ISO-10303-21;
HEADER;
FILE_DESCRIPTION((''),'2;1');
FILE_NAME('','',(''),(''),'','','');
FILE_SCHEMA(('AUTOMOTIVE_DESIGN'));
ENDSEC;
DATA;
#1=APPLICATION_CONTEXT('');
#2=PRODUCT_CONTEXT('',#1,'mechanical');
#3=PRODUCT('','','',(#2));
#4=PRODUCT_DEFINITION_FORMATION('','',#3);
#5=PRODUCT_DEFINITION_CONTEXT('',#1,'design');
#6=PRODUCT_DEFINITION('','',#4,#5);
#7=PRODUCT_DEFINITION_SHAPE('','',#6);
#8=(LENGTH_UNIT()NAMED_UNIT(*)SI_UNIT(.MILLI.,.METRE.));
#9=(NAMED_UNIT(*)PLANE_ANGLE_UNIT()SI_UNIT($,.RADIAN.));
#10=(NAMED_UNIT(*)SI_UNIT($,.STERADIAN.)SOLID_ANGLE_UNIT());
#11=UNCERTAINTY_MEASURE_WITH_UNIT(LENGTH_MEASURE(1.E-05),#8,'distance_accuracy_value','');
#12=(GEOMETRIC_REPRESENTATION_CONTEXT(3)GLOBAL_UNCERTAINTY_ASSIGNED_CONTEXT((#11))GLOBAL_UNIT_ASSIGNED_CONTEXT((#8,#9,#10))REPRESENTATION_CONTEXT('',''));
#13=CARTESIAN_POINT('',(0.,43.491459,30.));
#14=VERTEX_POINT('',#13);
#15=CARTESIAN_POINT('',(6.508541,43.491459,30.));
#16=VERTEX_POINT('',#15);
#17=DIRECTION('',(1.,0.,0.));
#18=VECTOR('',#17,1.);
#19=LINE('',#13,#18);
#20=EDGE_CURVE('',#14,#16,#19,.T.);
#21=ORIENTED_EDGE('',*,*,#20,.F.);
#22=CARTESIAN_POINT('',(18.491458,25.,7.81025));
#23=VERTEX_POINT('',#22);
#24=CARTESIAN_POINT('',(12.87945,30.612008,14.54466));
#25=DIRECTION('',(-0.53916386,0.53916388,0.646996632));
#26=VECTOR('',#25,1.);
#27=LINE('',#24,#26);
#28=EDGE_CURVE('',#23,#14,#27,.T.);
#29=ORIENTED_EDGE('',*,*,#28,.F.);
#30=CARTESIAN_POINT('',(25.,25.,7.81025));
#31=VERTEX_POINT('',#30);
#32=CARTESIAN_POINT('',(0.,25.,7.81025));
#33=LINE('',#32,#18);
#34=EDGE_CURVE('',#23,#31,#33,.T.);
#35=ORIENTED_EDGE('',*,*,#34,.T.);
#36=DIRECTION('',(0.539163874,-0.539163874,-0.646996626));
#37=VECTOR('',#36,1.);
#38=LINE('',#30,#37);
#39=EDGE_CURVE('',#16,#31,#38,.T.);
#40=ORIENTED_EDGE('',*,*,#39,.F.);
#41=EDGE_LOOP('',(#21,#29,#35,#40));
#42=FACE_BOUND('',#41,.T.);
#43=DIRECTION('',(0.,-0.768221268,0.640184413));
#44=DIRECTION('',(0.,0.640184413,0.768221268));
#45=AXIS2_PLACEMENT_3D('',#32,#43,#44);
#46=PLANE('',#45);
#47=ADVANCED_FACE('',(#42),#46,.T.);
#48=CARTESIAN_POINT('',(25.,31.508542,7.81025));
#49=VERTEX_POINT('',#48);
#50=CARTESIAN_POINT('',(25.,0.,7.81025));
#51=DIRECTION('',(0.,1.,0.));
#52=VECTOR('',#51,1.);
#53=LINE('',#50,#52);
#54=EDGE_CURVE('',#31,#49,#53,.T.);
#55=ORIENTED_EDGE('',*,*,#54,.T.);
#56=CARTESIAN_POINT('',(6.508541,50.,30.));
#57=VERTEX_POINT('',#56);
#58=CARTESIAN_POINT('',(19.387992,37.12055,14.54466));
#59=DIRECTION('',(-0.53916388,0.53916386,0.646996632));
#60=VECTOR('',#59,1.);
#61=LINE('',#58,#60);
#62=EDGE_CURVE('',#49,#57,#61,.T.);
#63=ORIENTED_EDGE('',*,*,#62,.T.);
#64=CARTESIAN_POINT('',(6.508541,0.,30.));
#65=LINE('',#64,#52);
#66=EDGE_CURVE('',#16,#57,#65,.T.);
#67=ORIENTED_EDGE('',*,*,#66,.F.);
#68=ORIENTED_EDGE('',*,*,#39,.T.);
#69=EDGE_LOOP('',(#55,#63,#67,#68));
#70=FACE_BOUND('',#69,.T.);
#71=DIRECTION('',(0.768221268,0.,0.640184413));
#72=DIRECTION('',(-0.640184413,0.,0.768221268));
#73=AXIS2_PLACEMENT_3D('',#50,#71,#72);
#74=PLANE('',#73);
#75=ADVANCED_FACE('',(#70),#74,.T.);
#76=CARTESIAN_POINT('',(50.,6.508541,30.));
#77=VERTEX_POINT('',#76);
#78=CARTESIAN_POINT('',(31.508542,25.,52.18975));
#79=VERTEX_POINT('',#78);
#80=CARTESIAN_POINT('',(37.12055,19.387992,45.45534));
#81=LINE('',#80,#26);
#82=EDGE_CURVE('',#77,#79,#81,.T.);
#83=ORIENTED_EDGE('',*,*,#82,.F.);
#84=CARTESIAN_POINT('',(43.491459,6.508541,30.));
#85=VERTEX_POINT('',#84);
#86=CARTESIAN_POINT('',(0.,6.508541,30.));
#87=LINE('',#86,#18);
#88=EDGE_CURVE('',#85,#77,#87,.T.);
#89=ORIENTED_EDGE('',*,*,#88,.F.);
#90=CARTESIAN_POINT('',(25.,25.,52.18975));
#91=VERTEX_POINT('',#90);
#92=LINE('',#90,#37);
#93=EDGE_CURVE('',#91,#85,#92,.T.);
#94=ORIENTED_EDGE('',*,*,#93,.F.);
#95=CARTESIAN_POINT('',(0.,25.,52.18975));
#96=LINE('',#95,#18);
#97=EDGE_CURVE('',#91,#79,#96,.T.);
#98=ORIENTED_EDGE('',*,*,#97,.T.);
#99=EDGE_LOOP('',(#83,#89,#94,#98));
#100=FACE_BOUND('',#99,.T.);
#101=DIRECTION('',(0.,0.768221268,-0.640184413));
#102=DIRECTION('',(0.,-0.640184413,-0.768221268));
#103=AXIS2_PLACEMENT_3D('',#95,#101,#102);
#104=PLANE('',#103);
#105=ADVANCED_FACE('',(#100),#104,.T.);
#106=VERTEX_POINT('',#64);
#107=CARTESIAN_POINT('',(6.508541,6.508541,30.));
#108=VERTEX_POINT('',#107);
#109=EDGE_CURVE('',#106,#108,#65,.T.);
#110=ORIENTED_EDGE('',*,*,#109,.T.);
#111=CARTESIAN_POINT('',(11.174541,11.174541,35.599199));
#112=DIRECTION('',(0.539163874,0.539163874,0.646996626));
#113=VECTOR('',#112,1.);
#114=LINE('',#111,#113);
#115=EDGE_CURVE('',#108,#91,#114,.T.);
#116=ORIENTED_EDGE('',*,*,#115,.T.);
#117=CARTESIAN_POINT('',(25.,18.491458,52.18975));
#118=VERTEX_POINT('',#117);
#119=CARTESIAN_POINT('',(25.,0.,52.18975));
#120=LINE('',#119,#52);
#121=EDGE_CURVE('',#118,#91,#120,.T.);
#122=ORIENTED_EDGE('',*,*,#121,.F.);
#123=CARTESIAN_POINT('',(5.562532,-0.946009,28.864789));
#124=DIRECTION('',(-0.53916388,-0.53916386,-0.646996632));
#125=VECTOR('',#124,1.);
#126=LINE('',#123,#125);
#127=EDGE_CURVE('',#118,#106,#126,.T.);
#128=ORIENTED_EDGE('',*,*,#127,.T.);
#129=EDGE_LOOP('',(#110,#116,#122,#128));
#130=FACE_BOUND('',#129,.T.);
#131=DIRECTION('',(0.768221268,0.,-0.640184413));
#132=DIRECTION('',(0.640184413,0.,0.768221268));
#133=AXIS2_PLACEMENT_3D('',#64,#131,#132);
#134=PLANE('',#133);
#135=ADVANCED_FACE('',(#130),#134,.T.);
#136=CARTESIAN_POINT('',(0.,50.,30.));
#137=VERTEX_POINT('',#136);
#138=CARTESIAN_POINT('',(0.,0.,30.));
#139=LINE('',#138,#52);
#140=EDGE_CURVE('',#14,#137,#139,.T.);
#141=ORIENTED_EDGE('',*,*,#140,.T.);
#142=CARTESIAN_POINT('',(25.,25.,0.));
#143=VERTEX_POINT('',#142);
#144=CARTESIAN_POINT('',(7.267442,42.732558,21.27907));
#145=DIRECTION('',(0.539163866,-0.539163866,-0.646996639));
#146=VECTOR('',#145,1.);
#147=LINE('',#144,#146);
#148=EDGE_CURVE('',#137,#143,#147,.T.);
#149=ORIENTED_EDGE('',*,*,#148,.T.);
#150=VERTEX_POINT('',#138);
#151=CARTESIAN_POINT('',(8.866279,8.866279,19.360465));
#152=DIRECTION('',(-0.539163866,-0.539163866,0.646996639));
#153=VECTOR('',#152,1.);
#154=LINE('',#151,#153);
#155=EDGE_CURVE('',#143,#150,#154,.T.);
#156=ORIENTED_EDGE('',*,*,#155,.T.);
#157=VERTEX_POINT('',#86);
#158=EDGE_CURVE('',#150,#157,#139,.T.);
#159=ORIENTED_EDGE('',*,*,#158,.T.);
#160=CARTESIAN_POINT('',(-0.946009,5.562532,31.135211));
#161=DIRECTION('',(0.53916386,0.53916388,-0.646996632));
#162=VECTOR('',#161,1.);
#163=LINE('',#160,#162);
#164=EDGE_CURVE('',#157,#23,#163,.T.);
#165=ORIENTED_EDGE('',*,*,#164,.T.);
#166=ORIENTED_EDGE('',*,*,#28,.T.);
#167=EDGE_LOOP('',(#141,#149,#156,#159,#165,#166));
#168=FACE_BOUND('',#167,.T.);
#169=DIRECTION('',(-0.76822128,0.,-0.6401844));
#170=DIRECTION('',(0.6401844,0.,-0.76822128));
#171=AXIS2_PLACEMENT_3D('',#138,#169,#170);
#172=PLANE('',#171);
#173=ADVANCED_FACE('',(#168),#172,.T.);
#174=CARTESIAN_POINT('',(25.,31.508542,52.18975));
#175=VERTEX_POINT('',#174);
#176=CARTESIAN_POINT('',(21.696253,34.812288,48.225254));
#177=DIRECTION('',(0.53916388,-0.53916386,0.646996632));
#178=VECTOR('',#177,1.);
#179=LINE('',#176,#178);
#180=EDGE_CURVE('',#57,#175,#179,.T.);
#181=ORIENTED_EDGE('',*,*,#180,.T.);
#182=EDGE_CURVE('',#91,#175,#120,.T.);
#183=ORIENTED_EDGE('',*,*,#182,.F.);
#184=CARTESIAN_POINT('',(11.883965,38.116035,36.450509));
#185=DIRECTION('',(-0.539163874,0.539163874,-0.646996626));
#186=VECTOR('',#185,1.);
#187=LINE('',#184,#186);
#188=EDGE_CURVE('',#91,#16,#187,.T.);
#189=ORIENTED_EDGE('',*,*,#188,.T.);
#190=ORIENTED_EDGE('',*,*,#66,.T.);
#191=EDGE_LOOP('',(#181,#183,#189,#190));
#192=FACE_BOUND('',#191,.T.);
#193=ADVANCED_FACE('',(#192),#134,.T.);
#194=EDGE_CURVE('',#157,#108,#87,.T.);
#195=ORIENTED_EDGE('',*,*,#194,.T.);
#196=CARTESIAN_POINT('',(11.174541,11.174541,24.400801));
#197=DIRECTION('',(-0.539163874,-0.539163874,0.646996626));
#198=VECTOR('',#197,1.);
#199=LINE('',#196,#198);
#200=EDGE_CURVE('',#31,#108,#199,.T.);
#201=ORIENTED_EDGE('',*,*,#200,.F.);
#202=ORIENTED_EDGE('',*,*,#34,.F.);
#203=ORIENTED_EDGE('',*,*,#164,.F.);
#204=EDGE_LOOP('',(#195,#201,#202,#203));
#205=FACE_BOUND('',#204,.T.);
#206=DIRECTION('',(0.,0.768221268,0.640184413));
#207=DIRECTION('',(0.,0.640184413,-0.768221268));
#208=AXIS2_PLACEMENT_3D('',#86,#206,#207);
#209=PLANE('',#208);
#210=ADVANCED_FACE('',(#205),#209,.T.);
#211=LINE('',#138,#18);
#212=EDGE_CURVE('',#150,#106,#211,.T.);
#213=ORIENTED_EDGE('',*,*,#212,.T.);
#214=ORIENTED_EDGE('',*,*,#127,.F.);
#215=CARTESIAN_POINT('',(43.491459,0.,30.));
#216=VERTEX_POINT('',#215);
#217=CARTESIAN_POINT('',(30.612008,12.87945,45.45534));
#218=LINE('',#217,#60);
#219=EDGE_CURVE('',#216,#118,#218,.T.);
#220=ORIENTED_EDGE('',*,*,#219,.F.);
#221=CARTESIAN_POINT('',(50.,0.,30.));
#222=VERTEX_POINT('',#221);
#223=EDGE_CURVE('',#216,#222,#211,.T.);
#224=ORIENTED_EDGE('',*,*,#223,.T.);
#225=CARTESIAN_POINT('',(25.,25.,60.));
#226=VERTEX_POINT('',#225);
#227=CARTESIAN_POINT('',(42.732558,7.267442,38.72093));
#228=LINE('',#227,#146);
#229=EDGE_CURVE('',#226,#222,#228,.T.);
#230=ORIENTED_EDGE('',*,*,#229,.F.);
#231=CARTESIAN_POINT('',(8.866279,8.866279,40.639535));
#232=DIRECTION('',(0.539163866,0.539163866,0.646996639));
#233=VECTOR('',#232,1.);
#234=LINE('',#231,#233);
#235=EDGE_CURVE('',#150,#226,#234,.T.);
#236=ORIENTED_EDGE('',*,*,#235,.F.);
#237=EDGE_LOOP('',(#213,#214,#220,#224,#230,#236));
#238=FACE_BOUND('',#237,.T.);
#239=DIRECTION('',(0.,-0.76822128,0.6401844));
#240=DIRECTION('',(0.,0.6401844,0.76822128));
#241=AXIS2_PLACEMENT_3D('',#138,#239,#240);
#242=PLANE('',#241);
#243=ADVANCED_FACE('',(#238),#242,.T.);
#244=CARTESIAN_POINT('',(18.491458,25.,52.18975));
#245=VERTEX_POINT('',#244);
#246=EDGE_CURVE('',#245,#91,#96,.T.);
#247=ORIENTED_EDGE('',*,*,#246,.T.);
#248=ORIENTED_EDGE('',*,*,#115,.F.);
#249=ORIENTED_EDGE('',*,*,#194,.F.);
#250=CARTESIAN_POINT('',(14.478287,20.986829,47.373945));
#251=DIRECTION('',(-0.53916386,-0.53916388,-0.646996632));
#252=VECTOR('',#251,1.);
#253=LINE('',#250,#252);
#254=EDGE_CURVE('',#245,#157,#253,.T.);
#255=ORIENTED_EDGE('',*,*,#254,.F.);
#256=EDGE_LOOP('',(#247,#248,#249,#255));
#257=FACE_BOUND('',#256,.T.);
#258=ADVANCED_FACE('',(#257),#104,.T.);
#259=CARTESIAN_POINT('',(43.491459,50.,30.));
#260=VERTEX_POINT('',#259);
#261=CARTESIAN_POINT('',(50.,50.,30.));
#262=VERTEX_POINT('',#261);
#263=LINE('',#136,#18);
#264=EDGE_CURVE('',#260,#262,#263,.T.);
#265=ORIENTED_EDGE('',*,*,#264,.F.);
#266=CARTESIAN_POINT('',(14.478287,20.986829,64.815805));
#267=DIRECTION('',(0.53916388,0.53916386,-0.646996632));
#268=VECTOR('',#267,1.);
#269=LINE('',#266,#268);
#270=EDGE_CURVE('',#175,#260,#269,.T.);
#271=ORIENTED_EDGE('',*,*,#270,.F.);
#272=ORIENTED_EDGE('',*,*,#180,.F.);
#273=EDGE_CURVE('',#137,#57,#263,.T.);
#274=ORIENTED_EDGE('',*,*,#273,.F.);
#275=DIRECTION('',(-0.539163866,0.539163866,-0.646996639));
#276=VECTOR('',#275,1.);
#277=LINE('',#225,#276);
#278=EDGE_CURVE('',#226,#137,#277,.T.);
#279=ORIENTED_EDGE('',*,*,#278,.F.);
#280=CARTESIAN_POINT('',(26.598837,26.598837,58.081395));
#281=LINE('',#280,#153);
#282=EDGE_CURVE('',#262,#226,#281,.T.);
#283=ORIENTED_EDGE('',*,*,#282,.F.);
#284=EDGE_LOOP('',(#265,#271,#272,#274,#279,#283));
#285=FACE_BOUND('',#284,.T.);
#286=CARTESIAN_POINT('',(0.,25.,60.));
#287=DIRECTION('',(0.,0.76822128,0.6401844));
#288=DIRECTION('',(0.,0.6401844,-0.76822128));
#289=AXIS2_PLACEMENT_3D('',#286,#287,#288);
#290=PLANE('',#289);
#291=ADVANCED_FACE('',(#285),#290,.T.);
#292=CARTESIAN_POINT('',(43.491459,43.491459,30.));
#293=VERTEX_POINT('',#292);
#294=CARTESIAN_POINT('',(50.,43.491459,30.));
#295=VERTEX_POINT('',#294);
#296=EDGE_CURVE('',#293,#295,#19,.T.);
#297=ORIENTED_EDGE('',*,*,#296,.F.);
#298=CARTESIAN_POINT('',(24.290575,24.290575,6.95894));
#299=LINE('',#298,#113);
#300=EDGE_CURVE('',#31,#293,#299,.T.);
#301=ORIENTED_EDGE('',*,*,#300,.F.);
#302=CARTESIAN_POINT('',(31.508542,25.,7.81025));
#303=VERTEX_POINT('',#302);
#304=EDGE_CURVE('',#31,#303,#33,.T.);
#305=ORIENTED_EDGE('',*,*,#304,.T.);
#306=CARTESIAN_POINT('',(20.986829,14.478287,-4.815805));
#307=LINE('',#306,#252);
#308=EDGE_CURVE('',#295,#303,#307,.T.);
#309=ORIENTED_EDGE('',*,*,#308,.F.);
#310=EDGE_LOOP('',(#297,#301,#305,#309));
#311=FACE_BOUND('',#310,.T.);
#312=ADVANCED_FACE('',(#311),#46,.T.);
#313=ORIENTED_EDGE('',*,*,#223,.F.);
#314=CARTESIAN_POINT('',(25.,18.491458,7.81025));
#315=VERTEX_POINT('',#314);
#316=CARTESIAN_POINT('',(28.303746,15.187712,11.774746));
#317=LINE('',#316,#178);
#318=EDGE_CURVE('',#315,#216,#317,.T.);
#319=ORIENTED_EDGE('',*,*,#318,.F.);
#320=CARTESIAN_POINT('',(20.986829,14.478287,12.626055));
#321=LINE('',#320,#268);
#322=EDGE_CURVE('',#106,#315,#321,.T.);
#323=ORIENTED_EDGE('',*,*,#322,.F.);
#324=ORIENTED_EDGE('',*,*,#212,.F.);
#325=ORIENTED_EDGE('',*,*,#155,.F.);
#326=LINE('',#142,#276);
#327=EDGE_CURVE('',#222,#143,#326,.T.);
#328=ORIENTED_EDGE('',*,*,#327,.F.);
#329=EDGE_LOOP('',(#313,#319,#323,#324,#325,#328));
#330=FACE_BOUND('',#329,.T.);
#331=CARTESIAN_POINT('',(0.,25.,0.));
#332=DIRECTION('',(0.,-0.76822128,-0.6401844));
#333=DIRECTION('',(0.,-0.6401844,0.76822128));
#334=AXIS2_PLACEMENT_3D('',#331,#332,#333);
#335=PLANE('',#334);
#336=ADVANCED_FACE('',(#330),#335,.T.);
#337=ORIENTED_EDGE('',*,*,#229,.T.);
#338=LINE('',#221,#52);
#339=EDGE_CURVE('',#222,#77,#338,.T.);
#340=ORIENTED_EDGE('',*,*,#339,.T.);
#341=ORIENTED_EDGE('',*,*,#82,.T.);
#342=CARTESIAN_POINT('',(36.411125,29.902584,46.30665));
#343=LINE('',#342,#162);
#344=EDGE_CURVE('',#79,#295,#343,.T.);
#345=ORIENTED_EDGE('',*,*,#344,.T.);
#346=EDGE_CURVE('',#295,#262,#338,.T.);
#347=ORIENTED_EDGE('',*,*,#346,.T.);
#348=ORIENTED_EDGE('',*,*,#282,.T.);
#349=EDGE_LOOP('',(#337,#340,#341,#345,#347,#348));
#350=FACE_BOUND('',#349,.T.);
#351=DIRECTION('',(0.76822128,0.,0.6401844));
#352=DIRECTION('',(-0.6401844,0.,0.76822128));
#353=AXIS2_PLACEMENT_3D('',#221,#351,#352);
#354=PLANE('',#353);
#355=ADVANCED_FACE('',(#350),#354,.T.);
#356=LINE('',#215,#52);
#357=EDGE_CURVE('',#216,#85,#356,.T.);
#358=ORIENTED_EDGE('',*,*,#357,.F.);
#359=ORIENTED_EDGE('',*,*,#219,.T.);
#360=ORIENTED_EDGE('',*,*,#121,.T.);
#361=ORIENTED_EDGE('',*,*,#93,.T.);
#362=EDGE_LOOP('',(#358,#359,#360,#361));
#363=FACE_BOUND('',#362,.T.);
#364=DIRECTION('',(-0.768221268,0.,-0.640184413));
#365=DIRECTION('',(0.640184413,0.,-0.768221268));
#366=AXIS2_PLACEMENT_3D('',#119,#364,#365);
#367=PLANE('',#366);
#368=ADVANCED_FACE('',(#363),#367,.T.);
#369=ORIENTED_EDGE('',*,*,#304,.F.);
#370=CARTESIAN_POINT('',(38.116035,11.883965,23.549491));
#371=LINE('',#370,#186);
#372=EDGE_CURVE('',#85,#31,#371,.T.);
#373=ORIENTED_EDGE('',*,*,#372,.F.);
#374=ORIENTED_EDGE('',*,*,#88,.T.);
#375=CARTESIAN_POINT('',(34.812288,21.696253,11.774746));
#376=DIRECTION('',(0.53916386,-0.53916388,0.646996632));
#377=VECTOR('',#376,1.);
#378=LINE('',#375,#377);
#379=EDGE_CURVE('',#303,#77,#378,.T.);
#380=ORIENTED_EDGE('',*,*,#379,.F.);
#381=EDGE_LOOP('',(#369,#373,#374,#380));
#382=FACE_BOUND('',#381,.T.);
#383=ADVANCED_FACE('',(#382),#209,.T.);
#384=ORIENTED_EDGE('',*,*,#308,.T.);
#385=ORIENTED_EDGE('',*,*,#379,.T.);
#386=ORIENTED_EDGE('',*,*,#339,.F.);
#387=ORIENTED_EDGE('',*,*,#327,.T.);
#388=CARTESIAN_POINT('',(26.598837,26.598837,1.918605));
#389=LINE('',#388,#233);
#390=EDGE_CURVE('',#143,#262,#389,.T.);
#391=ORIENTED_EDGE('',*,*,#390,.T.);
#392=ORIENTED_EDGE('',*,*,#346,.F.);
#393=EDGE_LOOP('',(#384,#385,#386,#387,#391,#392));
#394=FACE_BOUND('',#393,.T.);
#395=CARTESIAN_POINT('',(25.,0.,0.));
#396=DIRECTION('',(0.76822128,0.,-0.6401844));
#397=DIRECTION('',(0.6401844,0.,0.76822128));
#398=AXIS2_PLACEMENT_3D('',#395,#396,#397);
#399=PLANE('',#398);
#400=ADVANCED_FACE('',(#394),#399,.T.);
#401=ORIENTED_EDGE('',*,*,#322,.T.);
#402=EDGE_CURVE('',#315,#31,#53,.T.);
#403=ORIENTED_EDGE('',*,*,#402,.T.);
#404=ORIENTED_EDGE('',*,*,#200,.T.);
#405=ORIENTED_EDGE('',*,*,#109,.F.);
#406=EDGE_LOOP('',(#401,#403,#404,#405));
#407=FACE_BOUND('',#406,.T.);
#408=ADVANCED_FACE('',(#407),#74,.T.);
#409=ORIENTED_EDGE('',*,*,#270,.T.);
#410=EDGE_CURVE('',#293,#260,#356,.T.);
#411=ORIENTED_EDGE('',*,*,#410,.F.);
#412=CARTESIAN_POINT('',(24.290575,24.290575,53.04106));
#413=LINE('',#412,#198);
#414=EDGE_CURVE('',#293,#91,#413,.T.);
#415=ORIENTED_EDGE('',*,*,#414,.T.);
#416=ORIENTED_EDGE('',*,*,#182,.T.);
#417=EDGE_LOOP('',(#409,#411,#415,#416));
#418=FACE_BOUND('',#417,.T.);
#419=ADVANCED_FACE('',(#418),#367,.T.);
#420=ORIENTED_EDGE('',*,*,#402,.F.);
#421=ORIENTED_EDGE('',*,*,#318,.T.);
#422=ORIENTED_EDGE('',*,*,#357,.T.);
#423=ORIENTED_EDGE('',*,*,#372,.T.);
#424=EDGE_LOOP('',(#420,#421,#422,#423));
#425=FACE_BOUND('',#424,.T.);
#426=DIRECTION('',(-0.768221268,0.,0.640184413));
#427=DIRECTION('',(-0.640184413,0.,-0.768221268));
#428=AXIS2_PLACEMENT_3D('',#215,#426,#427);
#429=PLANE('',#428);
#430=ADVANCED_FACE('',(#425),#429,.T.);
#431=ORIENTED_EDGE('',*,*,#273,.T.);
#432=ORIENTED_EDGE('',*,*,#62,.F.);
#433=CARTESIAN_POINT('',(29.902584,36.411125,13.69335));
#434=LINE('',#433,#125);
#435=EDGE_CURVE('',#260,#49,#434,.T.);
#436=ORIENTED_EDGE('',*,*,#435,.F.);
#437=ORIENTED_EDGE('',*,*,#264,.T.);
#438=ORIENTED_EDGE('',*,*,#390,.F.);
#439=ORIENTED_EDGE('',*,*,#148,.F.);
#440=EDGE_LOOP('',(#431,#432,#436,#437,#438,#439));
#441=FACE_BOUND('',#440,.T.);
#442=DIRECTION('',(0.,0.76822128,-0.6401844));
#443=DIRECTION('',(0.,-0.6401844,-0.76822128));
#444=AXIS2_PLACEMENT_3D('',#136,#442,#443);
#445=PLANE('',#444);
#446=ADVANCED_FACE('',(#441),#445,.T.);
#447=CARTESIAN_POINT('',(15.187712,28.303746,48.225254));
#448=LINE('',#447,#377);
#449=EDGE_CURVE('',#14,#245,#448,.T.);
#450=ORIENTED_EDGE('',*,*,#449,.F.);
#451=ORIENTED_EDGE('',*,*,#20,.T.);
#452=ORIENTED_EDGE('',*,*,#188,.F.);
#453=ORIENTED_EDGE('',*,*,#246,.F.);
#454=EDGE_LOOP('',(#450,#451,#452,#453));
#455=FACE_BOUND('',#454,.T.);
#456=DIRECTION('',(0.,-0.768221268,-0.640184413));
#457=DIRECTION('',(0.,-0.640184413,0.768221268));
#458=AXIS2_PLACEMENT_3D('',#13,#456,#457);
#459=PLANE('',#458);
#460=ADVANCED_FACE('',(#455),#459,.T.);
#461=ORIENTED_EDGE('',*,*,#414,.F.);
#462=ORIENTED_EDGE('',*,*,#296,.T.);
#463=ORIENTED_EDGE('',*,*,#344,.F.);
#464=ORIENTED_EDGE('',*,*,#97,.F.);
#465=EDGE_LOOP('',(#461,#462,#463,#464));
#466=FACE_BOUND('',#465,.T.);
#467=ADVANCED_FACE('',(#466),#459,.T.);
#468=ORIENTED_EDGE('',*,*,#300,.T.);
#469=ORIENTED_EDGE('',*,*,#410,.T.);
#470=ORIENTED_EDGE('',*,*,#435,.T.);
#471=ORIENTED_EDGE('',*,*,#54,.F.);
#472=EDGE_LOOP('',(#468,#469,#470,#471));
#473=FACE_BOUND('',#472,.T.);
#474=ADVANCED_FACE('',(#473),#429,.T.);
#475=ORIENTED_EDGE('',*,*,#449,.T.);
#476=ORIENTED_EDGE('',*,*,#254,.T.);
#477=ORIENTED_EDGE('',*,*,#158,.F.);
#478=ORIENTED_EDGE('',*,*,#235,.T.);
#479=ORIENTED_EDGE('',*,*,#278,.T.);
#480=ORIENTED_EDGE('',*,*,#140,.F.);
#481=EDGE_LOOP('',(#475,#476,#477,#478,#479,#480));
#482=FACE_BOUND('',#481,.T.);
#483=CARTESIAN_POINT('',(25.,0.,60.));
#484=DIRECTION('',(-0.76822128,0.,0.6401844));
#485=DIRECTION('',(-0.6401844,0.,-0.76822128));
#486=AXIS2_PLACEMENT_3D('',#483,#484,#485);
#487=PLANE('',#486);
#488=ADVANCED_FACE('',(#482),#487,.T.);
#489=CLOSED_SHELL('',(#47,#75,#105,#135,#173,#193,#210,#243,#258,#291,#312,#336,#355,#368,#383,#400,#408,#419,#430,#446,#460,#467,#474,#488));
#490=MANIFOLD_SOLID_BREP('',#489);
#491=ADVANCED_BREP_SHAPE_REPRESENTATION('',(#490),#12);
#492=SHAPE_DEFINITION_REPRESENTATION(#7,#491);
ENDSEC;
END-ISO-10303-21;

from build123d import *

# Parameters (mm, degrees)
F0_W     = 50
F0_H     = 50
F1_DEPTH = 60
F4_DEPTH = 50.001
F5_DEPTH = 50.001


with BuildPart() as f1:
    # F0 (on Top) → F1 (new body)
    with BuildSketch(Plane.XY):
        with Locations((25, 25)):
            Rectangle(F0_W, F0_H)
    extrude(amount=F1_DEPTH)

    # F2 (on face) → F4 (intersect, through all)
    with BuildSketch(Plane.XZ):
        Polygon((50, 30), (25, 60), (0, 30), (25, 0), align=None)
        Polygon((25, 7.81025), (6.508541, 30), (25, 52.18975), (43.491459, 30), align=None, mode=Mode.SUBTRACT)
    extrude(amount=-F4_DEPTH, mode=Mode.INTERSECT)

    # F3 (on face) → F5 (intersect, through all)
    with BuildSketch(Plane(origin=(0, 0, 0), x_dir=(0, -1, 0), z_dir=(-1, 0, 0))):
        Polygon((-50, 30), (-25, 0), (0, 30), (-25, 60), align=None)
        Polygon((-6.508541, 30), (-25, 7.81025), (-43.491459, 30), (-25, 52.18975), align=None, mode=Mode.SUBTRACT)
    extrude(amount=-F5_DEPTH, mode=Mode.INTERSECT)


solid = f1.part
